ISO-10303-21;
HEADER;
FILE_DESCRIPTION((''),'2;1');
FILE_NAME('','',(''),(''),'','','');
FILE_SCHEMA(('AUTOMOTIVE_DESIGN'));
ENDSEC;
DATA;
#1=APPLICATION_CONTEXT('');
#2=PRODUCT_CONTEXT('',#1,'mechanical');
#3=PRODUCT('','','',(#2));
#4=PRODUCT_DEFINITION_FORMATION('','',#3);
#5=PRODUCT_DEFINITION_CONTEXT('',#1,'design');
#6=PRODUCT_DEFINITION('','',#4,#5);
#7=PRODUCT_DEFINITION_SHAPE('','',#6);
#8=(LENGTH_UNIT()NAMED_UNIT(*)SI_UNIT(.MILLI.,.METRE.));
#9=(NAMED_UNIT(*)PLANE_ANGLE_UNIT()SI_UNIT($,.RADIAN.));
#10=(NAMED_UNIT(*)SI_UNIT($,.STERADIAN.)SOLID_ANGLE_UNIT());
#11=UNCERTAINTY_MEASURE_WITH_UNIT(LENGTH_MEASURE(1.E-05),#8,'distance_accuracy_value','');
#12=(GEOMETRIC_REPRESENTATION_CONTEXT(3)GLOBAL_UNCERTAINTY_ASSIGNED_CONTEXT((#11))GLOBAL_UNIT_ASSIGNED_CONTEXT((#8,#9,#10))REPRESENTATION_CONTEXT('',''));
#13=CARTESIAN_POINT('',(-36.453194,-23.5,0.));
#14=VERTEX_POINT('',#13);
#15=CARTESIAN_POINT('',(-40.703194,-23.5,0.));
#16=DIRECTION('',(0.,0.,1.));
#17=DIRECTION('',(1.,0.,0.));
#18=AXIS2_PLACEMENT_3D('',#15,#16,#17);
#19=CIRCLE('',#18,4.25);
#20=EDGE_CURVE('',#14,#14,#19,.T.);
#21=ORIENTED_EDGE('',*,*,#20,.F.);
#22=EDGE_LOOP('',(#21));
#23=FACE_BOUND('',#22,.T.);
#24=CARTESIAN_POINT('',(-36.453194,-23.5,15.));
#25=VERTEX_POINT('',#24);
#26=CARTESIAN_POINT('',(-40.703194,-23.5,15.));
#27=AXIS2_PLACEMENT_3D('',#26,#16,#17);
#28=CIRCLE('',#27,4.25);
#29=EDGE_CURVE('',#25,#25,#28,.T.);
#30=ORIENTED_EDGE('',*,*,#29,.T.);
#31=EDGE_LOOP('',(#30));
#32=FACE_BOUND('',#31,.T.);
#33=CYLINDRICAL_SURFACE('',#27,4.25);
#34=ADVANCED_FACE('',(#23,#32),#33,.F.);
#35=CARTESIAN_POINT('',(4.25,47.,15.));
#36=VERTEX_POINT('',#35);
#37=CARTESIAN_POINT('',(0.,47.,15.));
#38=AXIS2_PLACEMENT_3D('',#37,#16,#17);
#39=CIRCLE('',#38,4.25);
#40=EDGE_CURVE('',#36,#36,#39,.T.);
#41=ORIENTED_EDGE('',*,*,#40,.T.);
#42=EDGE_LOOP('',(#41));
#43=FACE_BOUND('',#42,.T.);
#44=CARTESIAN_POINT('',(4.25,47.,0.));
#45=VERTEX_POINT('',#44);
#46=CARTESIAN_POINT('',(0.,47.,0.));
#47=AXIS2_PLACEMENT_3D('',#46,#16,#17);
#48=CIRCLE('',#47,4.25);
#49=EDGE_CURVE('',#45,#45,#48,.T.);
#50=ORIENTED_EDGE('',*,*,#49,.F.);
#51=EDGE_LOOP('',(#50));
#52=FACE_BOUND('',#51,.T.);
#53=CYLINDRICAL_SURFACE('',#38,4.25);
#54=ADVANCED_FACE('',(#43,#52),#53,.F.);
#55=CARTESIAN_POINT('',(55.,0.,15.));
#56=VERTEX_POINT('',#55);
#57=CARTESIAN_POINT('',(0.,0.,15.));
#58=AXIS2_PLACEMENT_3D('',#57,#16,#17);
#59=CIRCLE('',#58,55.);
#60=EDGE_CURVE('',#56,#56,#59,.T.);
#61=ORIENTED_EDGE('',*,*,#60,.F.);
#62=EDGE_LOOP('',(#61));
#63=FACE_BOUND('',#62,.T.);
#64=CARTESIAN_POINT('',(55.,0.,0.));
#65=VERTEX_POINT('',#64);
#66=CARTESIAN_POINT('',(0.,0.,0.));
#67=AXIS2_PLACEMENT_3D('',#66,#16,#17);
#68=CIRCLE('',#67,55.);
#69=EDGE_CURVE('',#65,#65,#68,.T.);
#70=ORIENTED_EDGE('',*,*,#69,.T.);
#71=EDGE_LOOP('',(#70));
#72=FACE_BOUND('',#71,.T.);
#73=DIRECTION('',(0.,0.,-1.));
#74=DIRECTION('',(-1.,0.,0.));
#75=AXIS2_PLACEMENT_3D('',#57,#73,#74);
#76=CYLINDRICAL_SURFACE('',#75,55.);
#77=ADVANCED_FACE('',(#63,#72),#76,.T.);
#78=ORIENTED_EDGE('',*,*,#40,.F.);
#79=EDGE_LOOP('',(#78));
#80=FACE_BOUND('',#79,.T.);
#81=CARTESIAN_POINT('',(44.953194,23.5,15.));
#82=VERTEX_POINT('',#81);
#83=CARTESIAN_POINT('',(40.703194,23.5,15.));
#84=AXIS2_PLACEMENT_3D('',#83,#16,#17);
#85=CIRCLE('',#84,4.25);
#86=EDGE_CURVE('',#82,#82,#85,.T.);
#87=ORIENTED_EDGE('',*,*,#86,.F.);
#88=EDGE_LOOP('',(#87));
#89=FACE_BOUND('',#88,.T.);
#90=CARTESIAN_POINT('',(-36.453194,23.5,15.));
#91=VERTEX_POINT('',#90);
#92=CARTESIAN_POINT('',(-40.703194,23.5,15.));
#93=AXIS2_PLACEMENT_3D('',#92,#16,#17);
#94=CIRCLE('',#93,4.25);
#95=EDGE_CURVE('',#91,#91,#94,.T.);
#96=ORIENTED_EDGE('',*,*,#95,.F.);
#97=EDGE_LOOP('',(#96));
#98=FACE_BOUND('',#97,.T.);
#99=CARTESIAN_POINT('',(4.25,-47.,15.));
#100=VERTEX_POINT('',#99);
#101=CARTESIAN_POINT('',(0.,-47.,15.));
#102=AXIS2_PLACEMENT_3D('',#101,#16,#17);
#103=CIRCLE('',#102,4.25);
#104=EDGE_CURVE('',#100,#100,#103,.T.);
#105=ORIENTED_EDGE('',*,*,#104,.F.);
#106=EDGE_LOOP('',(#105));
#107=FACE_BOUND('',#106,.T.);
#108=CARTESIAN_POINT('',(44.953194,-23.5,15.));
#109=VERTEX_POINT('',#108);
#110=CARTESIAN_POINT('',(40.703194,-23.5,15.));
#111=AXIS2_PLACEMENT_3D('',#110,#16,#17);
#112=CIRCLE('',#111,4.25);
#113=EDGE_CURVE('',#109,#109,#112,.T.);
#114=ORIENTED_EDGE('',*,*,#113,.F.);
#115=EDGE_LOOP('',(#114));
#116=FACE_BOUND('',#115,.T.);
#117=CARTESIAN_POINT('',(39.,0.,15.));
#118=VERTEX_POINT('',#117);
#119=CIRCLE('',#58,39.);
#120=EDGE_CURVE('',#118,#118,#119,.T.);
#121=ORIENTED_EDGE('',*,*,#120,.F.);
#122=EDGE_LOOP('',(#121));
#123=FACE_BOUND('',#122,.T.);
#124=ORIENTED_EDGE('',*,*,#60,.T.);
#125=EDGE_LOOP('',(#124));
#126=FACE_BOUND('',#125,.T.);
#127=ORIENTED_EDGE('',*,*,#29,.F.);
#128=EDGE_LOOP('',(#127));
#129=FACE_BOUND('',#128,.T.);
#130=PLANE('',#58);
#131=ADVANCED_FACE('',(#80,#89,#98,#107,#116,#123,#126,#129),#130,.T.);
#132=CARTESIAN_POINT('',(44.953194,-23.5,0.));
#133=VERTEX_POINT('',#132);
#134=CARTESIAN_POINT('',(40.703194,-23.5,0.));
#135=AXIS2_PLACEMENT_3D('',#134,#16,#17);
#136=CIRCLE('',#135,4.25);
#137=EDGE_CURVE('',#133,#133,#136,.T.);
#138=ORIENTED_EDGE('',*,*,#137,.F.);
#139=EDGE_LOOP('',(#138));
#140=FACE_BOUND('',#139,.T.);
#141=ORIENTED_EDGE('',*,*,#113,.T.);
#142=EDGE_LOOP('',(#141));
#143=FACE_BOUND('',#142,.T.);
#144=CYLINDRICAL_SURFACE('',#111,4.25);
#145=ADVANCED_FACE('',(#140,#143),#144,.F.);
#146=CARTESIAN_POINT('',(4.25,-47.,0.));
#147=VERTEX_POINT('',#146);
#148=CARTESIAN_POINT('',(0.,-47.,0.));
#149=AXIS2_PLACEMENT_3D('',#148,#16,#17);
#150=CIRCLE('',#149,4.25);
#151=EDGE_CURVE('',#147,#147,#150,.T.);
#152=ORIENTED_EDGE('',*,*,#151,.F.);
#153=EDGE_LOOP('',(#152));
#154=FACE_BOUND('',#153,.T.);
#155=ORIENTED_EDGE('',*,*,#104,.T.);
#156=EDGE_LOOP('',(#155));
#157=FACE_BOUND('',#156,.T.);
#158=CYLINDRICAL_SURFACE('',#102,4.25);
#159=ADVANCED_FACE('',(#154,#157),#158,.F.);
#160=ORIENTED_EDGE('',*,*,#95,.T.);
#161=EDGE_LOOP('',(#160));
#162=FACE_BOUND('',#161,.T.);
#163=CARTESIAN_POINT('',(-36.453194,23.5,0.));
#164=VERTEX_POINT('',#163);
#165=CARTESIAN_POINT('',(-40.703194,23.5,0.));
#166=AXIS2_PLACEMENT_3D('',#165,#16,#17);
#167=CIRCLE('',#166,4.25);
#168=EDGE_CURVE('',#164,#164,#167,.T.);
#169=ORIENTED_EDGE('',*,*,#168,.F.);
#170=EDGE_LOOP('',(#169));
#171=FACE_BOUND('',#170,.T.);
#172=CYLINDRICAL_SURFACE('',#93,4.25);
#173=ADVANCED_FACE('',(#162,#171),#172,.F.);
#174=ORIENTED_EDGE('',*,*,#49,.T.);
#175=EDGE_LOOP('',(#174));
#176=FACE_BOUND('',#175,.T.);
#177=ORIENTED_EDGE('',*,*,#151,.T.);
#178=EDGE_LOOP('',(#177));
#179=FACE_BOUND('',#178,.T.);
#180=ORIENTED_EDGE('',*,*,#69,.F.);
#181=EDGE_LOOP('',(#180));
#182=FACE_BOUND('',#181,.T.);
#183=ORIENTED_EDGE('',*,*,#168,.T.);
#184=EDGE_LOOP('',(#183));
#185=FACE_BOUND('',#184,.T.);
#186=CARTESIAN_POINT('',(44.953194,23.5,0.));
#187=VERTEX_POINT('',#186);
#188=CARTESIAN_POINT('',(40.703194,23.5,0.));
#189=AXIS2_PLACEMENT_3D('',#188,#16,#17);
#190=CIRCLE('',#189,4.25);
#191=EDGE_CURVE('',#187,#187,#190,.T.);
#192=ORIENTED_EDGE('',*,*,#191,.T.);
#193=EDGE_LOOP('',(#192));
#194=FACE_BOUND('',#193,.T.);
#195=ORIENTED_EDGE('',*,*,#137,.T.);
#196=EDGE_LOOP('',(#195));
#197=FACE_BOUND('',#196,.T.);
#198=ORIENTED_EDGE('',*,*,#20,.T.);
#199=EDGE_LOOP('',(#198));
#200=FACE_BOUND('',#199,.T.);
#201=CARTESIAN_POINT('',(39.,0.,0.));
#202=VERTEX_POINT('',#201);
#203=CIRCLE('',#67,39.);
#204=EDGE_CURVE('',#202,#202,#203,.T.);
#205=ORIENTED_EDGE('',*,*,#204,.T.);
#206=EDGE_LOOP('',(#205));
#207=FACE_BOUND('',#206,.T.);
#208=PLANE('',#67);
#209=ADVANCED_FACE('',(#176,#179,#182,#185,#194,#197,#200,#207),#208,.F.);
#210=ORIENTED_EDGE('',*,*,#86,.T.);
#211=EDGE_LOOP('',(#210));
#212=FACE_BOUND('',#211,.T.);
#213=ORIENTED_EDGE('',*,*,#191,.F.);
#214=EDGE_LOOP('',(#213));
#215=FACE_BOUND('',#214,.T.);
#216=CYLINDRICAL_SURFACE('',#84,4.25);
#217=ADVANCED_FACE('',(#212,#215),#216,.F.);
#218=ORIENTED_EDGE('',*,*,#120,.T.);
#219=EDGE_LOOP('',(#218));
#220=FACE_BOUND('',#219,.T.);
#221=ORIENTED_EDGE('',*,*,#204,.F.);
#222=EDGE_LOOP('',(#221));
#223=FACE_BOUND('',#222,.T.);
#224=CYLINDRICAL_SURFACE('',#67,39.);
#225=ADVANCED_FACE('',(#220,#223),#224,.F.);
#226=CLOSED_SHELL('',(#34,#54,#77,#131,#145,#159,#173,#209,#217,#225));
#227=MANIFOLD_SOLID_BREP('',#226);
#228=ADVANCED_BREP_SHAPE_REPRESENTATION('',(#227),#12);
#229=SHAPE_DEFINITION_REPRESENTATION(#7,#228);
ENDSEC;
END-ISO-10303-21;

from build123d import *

# Parameters (mm, degrees)
ESQUISSE1_R                  = 55
BOSS_EXTRU_1_DEPTH           = 15
TROU_TARAUD_M101_D           = 8.5
R_P_TITION_CIRCULAIRE1_COUNT = 6
ESQUISSE4_R                  = 39
ENL_V_MAT_EXTRU_1_DEPTH      = 16


with BuildPart() as part:
    # Esquisse1 → Boss.-Extru.1 (new body)
    with BuildSketch(Plane.XY):
        Circle(ESQUISSE1_R)
    extrude(amount=BOSS_EXTRU_1_DEPTH)

    # Trou taraudé M101 (through all)
    with Locations(Plane.XY.offset(15)):
        with Locations((0, 47)):
            trou_taraud_m101 = Hole(TROU_TARAUD_M101_D / 2)

    # Répétition circulaire1: Trou taraudé M101 ×6 about axis
    r_p_tition_circulaire1_axis = Axis((0, 0, 0), (0, 0, 1))
    for i in range(1, R_P_TITION_CIRCULAIRE1_COUNT):
        add(trou_taraud_m101.rotate(r_p_tition_circulaire1_axis, i * 360 / R_P_TITION_CIRCULAIRE1_COUNT), mode=Mode.SUBTRACT)

    # Esquisse4 → Enlèv. mat.-Extru.1 (cut, through all)
    with BuildSketch(Plane.XY.offset(15)):
        Circle(ESQUISSE4_R)
    extrude(amount=-ENL_V_MAT_EXTRU_1_DEPTH, mode=Mode.SUBTRACT)


solid = part.part
